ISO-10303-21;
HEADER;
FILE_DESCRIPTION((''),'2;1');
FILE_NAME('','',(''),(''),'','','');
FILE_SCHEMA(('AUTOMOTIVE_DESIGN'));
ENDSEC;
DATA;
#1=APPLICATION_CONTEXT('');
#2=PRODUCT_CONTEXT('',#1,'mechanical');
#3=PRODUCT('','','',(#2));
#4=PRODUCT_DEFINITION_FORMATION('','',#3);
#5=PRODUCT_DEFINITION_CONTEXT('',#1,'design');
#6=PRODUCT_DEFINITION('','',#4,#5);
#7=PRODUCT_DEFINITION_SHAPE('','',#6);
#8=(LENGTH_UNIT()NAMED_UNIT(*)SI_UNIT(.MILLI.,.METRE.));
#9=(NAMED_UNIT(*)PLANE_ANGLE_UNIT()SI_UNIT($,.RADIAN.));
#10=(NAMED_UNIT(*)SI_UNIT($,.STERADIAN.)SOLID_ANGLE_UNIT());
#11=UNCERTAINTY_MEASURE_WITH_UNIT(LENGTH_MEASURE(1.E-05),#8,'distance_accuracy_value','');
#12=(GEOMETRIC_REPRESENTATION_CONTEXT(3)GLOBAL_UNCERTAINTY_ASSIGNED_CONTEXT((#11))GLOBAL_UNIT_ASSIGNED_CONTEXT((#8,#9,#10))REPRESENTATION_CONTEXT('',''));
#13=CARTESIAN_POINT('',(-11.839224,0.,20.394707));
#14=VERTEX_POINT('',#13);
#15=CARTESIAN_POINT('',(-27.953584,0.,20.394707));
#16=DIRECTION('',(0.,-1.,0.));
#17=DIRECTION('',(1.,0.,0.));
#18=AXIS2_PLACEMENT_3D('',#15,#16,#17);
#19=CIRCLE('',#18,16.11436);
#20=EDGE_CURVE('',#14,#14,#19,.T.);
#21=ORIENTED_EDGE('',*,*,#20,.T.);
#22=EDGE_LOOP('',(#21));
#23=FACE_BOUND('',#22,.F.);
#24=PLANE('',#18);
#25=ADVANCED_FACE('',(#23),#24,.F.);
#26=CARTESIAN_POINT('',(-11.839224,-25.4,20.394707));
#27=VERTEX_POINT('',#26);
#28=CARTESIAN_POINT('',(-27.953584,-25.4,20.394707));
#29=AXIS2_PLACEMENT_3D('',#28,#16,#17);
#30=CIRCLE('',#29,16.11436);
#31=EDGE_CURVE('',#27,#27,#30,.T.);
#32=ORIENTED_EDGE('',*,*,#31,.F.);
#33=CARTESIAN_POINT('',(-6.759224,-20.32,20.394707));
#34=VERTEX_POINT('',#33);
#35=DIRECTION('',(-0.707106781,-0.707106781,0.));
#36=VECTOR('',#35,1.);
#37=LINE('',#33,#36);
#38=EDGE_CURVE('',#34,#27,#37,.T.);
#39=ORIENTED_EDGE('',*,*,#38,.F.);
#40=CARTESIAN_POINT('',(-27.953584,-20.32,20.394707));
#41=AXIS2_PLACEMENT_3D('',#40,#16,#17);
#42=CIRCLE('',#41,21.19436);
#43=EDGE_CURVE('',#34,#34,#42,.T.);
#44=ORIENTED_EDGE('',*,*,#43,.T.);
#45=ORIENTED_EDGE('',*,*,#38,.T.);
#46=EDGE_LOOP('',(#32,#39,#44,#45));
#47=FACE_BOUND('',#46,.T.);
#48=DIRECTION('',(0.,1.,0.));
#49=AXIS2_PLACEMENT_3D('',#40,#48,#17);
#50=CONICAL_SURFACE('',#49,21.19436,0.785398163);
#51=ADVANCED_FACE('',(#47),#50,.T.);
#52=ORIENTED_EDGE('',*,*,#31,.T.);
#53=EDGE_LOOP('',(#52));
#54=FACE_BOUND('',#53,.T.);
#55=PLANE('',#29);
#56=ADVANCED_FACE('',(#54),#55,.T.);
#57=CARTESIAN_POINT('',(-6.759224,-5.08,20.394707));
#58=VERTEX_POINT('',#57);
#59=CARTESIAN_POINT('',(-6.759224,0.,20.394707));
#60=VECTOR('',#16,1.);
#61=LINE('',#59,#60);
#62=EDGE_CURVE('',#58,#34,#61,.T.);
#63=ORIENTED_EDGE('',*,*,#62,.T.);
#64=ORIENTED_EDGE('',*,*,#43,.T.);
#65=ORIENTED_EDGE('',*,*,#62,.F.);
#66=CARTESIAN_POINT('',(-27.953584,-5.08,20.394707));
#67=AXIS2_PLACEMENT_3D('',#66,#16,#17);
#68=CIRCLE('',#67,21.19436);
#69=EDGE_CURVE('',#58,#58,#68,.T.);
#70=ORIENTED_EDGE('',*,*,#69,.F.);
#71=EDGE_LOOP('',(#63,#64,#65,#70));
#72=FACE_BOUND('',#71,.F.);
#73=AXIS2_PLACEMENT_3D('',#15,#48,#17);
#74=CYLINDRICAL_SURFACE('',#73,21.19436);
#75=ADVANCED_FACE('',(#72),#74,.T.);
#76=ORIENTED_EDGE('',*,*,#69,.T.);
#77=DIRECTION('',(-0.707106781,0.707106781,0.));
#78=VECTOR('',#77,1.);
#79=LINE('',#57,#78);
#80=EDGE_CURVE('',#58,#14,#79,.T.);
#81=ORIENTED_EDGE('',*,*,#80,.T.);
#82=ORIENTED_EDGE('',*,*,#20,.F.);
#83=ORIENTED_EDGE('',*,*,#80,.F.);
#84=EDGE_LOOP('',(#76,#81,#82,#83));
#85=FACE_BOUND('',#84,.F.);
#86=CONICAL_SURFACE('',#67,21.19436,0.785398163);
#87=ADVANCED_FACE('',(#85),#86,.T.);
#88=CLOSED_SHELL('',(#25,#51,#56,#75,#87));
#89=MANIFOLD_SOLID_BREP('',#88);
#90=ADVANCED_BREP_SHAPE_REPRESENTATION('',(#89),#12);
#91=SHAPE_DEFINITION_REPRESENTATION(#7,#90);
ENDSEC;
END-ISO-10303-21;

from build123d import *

# Parameters (mm, degrees)
F0_R     = 21.19436
F1_DEPTH = 25.4
F2_SIZE  = 5.08


with BuildPart() as f1:
    # F0 (on Front) → F1 (new body)
    with BuildSketch(Plane.XZ):
        with Locations((-27.953584, 20.394707)):
            Circle(F0_R)
    extrude(amount=F1_DEPTH)

    # F2
    f2_edges = [f1.edges().sort_by_distance(p)[0] for p in [
        (-6.759223, -12.7, 20.394707),
        (-49.147944, 0, 20.394707),
        (-49.147944, -25.4, 20.394707),
    ]]
    chamfer(f2_edges, length=F2_SIZE)


solid = f1.part
